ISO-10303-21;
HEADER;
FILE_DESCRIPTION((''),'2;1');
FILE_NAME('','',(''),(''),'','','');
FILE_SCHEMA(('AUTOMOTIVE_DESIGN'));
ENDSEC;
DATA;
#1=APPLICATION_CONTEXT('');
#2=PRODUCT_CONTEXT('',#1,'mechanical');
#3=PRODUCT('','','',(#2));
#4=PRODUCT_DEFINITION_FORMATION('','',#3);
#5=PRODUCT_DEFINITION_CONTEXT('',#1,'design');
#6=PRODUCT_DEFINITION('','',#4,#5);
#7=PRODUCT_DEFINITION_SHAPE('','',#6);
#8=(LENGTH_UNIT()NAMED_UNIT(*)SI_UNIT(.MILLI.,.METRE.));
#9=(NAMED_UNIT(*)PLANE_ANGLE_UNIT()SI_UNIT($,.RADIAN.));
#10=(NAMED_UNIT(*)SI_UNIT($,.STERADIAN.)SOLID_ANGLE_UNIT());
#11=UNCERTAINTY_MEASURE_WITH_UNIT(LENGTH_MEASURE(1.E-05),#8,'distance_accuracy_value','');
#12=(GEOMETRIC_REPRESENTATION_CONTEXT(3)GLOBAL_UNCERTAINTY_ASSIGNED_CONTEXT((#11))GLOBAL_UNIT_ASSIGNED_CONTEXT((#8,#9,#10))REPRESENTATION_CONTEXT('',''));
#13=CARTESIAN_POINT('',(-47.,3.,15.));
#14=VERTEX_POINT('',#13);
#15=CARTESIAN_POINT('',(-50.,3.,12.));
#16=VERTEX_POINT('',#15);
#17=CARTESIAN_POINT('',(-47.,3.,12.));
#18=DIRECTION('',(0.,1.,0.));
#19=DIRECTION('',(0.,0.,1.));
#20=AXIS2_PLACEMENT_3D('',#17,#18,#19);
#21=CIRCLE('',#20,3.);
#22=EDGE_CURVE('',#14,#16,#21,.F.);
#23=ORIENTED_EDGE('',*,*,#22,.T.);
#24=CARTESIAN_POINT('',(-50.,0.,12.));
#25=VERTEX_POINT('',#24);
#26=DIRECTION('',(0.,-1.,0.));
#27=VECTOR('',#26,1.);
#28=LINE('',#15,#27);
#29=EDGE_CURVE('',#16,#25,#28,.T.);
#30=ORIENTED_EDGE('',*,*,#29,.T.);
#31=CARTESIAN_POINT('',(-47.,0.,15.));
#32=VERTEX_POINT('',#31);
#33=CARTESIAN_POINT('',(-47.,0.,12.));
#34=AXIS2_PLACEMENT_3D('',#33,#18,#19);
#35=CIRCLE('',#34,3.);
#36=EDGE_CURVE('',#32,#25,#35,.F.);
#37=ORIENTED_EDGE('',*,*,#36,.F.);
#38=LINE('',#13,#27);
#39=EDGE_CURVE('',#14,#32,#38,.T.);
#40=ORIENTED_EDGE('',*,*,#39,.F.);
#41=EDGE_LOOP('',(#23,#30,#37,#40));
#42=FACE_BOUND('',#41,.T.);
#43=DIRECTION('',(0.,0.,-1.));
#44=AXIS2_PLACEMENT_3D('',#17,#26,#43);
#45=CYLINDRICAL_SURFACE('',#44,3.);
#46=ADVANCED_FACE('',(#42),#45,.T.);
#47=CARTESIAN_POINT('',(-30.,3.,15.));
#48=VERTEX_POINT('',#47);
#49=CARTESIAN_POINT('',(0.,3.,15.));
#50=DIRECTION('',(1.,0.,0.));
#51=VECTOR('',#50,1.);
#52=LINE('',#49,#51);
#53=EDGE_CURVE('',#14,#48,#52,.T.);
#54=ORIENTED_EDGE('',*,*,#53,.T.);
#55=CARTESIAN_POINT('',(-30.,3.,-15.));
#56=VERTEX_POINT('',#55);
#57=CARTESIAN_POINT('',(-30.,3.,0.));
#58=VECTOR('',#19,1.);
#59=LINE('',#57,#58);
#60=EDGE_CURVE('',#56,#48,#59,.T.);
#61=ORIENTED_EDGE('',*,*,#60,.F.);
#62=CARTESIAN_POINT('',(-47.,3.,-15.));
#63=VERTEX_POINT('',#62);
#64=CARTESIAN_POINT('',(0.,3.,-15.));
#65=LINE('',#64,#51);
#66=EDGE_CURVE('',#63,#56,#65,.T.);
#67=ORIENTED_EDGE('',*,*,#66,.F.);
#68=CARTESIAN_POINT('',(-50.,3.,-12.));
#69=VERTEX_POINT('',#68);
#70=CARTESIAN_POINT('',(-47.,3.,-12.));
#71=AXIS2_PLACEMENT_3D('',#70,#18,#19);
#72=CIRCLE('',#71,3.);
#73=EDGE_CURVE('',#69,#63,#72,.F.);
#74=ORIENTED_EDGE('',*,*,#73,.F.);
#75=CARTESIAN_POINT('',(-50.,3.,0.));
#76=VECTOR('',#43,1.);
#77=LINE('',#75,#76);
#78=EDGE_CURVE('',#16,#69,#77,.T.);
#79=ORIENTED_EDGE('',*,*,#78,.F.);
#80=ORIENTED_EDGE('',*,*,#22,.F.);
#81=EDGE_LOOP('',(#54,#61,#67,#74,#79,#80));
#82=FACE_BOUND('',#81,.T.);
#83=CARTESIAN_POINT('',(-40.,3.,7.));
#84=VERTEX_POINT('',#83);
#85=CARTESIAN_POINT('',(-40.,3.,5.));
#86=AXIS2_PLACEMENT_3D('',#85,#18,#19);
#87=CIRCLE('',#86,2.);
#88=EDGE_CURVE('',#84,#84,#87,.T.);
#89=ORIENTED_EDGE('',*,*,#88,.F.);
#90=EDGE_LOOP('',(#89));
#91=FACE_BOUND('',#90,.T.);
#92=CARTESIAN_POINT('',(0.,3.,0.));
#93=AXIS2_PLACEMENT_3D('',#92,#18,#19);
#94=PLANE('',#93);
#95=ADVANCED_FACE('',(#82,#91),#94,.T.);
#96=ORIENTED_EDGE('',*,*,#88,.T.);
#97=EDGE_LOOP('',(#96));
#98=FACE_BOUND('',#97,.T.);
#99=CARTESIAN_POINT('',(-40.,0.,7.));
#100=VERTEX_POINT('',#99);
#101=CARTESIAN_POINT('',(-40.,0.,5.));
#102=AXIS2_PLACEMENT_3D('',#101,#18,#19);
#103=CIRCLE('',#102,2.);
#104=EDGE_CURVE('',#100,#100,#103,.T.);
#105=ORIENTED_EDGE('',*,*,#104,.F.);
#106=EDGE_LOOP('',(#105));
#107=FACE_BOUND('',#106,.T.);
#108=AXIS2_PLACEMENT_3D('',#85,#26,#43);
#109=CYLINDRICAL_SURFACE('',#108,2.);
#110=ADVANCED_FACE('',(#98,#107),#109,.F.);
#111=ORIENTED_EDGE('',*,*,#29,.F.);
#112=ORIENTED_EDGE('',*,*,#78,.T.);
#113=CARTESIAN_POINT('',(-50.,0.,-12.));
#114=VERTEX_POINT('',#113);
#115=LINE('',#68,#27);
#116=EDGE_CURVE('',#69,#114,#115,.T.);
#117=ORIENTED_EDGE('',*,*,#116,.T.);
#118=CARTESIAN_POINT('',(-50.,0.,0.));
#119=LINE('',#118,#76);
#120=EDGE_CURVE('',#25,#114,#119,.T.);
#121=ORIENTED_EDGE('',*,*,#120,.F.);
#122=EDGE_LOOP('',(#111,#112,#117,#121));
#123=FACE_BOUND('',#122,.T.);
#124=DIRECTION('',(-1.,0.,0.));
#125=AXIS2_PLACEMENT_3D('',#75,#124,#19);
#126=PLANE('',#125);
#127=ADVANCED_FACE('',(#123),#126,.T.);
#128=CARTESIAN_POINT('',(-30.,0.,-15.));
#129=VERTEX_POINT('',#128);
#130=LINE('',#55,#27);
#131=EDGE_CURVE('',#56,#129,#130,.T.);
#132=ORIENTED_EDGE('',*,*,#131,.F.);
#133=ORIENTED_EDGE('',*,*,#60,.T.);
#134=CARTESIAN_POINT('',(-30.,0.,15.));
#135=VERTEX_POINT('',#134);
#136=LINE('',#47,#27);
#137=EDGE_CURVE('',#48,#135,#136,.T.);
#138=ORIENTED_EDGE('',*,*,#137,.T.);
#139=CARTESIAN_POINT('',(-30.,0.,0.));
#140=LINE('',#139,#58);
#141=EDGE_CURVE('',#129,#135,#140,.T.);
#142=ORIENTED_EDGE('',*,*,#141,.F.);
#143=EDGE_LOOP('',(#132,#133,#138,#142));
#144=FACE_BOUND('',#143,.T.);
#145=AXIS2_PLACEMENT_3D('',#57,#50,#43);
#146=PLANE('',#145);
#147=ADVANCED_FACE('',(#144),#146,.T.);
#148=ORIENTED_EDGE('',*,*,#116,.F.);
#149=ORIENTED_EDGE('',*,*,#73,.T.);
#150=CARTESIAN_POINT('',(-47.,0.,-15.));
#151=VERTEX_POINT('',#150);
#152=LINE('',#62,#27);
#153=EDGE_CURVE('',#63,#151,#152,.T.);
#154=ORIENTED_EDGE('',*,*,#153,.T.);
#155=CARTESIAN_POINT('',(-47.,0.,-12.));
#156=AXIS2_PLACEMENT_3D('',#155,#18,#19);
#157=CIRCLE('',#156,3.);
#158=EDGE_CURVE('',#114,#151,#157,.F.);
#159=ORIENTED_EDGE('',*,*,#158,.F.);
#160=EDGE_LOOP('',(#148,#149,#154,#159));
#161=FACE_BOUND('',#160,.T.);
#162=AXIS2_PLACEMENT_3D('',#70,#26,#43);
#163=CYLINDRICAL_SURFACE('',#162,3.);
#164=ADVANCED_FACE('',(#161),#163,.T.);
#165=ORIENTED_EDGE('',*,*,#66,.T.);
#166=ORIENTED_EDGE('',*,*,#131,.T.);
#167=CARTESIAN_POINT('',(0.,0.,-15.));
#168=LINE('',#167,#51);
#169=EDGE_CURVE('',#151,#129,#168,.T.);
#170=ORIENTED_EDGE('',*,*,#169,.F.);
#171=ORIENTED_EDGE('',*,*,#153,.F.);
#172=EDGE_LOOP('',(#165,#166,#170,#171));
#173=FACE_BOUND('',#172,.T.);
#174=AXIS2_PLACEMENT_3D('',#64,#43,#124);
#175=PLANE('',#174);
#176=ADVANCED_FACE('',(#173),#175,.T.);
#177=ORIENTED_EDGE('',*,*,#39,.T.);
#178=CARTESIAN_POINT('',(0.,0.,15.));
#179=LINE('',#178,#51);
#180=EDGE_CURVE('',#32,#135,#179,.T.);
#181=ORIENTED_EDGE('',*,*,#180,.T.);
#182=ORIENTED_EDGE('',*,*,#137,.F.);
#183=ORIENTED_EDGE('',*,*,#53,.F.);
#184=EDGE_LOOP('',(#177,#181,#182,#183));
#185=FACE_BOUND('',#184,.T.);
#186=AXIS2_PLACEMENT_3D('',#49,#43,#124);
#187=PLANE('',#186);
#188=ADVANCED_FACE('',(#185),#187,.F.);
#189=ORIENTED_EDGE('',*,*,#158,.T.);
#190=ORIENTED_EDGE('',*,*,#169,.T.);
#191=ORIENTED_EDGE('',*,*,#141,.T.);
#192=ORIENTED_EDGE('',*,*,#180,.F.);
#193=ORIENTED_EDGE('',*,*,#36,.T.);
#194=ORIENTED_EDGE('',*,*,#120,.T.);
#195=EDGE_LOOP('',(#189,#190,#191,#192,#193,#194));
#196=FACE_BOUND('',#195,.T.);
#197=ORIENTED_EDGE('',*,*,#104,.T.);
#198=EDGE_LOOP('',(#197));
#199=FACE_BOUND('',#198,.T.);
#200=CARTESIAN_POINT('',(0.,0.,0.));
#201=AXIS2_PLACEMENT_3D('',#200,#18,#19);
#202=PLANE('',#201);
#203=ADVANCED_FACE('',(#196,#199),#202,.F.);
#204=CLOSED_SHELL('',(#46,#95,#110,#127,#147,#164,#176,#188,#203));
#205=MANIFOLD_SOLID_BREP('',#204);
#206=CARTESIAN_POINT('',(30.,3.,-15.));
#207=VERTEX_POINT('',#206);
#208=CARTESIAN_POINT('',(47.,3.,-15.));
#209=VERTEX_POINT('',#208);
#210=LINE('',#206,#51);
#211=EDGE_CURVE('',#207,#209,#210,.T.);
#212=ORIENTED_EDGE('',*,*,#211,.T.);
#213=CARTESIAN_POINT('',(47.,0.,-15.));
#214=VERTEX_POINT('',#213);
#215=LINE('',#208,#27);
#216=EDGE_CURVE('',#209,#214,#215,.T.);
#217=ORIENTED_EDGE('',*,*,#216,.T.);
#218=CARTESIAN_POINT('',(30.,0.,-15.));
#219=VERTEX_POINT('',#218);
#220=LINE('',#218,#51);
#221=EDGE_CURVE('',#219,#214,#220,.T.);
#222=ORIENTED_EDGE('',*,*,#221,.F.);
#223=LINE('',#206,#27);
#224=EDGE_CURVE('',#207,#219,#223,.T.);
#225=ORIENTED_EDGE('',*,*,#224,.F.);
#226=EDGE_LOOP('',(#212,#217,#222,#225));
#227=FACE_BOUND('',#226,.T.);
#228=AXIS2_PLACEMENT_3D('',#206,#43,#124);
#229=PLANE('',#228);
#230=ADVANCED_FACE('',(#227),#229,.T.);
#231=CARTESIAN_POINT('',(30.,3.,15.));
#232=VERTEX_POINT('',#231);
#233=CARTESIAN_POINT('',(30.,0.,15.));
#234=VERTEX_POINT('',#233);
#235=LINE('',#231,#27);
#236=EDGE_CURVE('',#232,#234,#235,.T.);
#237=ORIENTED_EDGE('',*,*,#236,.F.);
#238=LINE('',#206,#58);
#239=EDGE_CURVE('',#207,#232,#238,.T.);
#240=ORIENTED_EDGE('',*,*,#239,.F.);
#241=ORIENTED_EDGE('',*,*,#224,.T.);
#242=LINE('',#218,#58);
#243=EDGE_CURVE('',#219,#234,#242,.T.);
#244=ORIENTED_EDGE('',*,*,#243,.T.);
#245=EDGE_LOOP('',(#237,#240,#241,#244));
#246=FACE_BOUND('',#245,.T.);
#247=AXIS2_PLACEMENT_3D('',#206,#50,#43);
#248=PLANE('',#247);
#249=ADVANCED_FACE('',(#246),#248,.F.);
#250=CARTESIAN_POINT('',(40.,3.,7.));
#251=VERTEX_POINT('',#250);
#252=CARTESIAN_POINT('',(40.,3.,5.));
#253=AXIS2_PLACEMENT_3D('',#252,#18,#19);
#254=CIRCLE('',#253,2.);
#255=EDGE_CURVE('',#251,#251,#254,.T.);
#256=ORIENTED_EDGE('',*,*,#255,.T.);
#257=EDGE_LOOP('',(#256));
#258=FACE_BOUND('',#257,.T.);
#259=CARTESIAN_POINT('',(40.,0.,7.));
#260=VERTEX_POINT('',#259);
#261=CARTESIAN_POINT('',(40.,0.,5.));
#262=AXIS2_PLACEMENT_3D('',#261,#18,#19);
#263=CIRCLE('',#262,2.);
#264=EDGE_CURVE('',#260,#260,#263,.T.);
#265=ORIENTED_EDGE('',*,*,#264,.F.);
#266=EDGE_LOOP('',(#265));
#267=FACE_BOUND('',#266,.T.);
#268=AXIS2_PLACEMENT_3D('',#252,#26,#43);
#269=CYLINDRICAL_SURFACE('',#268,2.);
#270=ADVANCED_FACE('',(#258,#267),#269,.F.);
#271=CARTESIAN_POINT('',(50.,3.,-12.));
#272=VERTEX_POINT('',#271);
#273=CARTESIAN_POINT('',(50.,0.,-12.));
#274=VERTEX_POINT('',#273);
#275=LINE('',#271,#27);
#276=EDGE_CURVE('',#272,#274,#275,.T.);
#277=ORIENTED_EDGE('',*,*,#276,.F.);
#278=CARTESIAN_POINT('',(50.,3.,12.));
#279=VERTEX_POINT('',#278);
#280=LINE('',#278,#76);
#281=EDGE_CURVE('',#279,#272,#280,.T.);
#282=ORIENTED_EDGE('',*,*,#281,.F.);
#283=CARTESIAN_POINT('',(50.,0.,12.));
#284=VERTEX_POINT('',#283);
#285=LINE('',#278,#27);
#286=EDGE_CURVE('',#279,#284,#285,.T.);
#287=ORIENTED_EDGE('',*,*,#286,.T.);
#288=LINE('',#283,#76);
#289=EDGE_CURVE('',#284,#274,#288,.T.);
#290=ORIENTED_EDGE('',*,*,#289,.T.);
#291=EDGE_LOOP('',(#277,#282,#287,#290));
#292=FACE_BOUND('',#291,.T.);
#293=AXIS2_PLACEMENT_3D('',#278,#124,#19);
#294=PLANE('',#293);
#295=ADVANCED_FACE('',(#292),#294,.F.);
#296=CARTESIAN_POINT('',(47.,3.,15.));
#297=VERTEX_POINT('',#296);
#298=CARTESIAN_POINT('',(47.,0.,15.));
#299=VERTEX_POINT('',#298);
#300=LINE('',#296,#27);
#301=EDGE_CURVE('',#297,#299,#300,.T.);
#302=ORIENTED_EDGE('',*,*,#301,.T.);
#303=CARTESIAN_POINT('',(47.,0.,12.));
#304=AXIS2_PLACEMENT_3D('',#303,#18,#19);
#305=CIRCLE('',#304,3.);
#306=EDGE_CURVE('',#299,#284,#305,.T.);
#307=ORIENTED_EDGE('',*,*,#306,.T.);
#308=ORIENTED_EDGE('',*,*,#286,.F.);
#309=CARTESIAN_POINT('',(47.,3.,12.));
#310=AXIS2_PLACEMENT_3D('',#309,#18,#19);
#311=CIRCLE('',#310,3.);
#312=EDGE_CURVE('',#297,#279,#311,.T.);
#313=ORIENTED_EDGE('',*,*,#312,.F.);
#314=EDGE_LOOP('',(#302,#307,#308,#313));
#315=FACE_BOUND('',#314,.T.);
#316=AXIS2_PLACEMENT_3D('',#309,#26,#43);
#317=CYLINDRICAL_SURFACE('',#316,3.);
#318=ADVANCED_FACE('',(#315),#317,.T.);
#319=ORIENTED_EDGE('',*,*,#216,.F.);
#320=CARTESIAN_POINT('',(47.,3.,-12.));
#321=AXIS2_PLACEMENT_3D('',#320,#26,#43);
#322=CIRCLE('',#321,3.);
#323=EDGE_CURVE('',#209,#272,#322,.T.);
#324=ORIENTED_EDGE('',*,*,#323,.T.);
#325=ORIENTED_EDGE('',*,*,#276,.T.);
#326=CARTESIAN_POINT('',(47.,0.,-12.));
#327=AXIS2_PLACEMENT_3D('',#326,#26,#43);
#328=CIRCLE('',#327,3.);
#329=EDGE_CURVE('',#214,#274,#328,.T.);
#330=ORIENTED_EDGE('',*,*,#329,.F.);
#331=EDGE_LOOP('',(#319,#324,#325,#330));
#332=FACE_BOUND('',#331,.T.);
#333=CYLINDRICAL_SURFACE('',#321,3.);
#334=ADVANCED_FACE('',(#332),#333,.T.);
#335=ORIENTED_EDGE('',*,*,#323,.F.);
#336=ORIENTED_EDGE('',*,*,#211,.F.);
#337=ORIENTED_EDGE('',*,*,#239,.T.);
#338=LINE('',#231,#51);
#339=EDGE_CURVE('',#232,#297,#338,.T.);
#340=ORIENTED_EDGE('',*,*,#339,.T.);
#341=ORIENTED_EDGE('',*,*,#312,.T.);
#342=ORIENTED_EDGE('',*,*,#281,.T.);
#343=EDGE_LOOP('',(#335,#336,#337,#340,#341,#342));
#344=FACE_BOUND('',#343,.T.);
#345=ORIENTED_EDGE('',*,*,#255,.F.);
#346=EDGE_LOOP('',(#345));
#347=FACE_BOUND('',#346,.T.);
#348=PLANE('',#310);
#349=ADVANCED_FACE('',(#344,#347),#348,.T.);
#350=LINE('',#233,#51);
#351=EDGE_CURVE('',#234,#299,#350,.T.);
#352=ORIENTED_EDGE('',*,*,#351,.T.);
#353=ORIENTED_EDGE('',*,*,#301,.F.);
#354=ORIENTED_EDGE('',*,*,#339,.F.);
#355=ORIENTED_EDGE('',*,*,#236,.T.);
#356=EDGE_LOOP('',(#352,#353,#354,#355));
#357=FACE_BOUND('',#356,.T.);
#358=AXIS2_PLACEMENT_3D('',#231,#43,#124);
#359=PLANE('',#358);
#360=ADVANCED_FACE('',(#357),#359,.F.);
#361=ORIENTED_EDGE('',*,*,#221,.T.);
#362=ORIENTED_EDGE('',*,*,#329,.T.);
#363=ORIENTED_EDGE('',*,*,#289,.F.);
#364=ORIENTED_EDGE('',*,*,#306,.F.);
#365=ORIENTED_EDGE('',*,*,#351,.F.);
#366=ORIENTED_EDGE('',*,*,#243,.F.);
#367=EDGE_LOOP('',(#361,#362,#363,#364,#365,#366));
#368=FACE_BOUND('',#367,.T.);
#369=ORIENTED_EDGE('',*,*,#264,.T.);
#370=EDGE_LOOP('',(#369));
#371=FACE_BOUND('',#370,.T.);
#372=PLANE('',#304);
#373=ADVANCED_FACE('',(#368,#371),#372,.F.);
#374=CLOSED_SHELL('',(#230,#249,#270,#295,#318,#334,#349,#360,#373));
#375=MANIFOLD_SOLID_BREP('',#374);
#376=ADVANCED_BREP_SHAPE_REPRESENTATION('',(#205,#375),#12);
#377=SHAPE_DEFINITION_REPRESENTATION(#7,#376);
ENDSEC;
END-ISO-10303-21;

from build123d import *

# Parameters (mm, degrees)
SKETCH_1_R        = 2
EXTRUDE_2_DEPTH   = 3
EXTRUDE_2_2_DEPTH = 3


with BuildPart() as part:
    # 草图1 → 凸台-拉伸2 (new body)
    with BuildSketch(Plane(origin=(0, 0, 0), x_dir=(1, 0, 0), z_dir=(0, 1, 0))):
        with BuildLine():
            Line((-30, 15), (-30, -15))
            Line((-30, -15), (-47, -15))
            ThreePointArc((-47, -15), (-49.121320344, -14.121320344), (-50, -12))
            Line((-50, -12), (-50, 12))
            ThreePointArc((-50, 12), (-49.121320344, 14.121320344), (-47, 15))
            Line((-47, 15), (-30, 15))
        make_face()
        with Locations(Location((-40, -5, 0), (0, 0, 270))):
            Circle(SKETCH_1_R, mode=Mode.SUBTRACT)
    extrude(amount=EXTRUDE_2_DEPTH)


with BuildPart() as body_2:
    # 草图1 → Extrude 2 2 (new body)
    with BuildSketch(Plane(origin=(0, 0, 0), x_dir=(1, 0, 0), z_dir=(0, 1, 0))):
        with BuildLine():
            Line((50, -12), (50, 12))
            ThreePointArc((50, 12), (49.121320344, 14.121320344), (47, 15))
            Line((47, 15), (30, 15))
            Line((30, 15), (30, -15))
            Line((30, -15), (47, -15))
            ThreePointArc((47, -15), (49.121320344, -14.121320344), (50, -12))
        make_face()
        with Locations(Location((40, -5, 0), (0, 0, 270))):
            Circle(SKETCH_1_R, mode=Mode.SUBTRACT)
    extrude(amount=EXTRUDE_2_2_DEPTH)


solid = Compound([part.part, body_2.part])
